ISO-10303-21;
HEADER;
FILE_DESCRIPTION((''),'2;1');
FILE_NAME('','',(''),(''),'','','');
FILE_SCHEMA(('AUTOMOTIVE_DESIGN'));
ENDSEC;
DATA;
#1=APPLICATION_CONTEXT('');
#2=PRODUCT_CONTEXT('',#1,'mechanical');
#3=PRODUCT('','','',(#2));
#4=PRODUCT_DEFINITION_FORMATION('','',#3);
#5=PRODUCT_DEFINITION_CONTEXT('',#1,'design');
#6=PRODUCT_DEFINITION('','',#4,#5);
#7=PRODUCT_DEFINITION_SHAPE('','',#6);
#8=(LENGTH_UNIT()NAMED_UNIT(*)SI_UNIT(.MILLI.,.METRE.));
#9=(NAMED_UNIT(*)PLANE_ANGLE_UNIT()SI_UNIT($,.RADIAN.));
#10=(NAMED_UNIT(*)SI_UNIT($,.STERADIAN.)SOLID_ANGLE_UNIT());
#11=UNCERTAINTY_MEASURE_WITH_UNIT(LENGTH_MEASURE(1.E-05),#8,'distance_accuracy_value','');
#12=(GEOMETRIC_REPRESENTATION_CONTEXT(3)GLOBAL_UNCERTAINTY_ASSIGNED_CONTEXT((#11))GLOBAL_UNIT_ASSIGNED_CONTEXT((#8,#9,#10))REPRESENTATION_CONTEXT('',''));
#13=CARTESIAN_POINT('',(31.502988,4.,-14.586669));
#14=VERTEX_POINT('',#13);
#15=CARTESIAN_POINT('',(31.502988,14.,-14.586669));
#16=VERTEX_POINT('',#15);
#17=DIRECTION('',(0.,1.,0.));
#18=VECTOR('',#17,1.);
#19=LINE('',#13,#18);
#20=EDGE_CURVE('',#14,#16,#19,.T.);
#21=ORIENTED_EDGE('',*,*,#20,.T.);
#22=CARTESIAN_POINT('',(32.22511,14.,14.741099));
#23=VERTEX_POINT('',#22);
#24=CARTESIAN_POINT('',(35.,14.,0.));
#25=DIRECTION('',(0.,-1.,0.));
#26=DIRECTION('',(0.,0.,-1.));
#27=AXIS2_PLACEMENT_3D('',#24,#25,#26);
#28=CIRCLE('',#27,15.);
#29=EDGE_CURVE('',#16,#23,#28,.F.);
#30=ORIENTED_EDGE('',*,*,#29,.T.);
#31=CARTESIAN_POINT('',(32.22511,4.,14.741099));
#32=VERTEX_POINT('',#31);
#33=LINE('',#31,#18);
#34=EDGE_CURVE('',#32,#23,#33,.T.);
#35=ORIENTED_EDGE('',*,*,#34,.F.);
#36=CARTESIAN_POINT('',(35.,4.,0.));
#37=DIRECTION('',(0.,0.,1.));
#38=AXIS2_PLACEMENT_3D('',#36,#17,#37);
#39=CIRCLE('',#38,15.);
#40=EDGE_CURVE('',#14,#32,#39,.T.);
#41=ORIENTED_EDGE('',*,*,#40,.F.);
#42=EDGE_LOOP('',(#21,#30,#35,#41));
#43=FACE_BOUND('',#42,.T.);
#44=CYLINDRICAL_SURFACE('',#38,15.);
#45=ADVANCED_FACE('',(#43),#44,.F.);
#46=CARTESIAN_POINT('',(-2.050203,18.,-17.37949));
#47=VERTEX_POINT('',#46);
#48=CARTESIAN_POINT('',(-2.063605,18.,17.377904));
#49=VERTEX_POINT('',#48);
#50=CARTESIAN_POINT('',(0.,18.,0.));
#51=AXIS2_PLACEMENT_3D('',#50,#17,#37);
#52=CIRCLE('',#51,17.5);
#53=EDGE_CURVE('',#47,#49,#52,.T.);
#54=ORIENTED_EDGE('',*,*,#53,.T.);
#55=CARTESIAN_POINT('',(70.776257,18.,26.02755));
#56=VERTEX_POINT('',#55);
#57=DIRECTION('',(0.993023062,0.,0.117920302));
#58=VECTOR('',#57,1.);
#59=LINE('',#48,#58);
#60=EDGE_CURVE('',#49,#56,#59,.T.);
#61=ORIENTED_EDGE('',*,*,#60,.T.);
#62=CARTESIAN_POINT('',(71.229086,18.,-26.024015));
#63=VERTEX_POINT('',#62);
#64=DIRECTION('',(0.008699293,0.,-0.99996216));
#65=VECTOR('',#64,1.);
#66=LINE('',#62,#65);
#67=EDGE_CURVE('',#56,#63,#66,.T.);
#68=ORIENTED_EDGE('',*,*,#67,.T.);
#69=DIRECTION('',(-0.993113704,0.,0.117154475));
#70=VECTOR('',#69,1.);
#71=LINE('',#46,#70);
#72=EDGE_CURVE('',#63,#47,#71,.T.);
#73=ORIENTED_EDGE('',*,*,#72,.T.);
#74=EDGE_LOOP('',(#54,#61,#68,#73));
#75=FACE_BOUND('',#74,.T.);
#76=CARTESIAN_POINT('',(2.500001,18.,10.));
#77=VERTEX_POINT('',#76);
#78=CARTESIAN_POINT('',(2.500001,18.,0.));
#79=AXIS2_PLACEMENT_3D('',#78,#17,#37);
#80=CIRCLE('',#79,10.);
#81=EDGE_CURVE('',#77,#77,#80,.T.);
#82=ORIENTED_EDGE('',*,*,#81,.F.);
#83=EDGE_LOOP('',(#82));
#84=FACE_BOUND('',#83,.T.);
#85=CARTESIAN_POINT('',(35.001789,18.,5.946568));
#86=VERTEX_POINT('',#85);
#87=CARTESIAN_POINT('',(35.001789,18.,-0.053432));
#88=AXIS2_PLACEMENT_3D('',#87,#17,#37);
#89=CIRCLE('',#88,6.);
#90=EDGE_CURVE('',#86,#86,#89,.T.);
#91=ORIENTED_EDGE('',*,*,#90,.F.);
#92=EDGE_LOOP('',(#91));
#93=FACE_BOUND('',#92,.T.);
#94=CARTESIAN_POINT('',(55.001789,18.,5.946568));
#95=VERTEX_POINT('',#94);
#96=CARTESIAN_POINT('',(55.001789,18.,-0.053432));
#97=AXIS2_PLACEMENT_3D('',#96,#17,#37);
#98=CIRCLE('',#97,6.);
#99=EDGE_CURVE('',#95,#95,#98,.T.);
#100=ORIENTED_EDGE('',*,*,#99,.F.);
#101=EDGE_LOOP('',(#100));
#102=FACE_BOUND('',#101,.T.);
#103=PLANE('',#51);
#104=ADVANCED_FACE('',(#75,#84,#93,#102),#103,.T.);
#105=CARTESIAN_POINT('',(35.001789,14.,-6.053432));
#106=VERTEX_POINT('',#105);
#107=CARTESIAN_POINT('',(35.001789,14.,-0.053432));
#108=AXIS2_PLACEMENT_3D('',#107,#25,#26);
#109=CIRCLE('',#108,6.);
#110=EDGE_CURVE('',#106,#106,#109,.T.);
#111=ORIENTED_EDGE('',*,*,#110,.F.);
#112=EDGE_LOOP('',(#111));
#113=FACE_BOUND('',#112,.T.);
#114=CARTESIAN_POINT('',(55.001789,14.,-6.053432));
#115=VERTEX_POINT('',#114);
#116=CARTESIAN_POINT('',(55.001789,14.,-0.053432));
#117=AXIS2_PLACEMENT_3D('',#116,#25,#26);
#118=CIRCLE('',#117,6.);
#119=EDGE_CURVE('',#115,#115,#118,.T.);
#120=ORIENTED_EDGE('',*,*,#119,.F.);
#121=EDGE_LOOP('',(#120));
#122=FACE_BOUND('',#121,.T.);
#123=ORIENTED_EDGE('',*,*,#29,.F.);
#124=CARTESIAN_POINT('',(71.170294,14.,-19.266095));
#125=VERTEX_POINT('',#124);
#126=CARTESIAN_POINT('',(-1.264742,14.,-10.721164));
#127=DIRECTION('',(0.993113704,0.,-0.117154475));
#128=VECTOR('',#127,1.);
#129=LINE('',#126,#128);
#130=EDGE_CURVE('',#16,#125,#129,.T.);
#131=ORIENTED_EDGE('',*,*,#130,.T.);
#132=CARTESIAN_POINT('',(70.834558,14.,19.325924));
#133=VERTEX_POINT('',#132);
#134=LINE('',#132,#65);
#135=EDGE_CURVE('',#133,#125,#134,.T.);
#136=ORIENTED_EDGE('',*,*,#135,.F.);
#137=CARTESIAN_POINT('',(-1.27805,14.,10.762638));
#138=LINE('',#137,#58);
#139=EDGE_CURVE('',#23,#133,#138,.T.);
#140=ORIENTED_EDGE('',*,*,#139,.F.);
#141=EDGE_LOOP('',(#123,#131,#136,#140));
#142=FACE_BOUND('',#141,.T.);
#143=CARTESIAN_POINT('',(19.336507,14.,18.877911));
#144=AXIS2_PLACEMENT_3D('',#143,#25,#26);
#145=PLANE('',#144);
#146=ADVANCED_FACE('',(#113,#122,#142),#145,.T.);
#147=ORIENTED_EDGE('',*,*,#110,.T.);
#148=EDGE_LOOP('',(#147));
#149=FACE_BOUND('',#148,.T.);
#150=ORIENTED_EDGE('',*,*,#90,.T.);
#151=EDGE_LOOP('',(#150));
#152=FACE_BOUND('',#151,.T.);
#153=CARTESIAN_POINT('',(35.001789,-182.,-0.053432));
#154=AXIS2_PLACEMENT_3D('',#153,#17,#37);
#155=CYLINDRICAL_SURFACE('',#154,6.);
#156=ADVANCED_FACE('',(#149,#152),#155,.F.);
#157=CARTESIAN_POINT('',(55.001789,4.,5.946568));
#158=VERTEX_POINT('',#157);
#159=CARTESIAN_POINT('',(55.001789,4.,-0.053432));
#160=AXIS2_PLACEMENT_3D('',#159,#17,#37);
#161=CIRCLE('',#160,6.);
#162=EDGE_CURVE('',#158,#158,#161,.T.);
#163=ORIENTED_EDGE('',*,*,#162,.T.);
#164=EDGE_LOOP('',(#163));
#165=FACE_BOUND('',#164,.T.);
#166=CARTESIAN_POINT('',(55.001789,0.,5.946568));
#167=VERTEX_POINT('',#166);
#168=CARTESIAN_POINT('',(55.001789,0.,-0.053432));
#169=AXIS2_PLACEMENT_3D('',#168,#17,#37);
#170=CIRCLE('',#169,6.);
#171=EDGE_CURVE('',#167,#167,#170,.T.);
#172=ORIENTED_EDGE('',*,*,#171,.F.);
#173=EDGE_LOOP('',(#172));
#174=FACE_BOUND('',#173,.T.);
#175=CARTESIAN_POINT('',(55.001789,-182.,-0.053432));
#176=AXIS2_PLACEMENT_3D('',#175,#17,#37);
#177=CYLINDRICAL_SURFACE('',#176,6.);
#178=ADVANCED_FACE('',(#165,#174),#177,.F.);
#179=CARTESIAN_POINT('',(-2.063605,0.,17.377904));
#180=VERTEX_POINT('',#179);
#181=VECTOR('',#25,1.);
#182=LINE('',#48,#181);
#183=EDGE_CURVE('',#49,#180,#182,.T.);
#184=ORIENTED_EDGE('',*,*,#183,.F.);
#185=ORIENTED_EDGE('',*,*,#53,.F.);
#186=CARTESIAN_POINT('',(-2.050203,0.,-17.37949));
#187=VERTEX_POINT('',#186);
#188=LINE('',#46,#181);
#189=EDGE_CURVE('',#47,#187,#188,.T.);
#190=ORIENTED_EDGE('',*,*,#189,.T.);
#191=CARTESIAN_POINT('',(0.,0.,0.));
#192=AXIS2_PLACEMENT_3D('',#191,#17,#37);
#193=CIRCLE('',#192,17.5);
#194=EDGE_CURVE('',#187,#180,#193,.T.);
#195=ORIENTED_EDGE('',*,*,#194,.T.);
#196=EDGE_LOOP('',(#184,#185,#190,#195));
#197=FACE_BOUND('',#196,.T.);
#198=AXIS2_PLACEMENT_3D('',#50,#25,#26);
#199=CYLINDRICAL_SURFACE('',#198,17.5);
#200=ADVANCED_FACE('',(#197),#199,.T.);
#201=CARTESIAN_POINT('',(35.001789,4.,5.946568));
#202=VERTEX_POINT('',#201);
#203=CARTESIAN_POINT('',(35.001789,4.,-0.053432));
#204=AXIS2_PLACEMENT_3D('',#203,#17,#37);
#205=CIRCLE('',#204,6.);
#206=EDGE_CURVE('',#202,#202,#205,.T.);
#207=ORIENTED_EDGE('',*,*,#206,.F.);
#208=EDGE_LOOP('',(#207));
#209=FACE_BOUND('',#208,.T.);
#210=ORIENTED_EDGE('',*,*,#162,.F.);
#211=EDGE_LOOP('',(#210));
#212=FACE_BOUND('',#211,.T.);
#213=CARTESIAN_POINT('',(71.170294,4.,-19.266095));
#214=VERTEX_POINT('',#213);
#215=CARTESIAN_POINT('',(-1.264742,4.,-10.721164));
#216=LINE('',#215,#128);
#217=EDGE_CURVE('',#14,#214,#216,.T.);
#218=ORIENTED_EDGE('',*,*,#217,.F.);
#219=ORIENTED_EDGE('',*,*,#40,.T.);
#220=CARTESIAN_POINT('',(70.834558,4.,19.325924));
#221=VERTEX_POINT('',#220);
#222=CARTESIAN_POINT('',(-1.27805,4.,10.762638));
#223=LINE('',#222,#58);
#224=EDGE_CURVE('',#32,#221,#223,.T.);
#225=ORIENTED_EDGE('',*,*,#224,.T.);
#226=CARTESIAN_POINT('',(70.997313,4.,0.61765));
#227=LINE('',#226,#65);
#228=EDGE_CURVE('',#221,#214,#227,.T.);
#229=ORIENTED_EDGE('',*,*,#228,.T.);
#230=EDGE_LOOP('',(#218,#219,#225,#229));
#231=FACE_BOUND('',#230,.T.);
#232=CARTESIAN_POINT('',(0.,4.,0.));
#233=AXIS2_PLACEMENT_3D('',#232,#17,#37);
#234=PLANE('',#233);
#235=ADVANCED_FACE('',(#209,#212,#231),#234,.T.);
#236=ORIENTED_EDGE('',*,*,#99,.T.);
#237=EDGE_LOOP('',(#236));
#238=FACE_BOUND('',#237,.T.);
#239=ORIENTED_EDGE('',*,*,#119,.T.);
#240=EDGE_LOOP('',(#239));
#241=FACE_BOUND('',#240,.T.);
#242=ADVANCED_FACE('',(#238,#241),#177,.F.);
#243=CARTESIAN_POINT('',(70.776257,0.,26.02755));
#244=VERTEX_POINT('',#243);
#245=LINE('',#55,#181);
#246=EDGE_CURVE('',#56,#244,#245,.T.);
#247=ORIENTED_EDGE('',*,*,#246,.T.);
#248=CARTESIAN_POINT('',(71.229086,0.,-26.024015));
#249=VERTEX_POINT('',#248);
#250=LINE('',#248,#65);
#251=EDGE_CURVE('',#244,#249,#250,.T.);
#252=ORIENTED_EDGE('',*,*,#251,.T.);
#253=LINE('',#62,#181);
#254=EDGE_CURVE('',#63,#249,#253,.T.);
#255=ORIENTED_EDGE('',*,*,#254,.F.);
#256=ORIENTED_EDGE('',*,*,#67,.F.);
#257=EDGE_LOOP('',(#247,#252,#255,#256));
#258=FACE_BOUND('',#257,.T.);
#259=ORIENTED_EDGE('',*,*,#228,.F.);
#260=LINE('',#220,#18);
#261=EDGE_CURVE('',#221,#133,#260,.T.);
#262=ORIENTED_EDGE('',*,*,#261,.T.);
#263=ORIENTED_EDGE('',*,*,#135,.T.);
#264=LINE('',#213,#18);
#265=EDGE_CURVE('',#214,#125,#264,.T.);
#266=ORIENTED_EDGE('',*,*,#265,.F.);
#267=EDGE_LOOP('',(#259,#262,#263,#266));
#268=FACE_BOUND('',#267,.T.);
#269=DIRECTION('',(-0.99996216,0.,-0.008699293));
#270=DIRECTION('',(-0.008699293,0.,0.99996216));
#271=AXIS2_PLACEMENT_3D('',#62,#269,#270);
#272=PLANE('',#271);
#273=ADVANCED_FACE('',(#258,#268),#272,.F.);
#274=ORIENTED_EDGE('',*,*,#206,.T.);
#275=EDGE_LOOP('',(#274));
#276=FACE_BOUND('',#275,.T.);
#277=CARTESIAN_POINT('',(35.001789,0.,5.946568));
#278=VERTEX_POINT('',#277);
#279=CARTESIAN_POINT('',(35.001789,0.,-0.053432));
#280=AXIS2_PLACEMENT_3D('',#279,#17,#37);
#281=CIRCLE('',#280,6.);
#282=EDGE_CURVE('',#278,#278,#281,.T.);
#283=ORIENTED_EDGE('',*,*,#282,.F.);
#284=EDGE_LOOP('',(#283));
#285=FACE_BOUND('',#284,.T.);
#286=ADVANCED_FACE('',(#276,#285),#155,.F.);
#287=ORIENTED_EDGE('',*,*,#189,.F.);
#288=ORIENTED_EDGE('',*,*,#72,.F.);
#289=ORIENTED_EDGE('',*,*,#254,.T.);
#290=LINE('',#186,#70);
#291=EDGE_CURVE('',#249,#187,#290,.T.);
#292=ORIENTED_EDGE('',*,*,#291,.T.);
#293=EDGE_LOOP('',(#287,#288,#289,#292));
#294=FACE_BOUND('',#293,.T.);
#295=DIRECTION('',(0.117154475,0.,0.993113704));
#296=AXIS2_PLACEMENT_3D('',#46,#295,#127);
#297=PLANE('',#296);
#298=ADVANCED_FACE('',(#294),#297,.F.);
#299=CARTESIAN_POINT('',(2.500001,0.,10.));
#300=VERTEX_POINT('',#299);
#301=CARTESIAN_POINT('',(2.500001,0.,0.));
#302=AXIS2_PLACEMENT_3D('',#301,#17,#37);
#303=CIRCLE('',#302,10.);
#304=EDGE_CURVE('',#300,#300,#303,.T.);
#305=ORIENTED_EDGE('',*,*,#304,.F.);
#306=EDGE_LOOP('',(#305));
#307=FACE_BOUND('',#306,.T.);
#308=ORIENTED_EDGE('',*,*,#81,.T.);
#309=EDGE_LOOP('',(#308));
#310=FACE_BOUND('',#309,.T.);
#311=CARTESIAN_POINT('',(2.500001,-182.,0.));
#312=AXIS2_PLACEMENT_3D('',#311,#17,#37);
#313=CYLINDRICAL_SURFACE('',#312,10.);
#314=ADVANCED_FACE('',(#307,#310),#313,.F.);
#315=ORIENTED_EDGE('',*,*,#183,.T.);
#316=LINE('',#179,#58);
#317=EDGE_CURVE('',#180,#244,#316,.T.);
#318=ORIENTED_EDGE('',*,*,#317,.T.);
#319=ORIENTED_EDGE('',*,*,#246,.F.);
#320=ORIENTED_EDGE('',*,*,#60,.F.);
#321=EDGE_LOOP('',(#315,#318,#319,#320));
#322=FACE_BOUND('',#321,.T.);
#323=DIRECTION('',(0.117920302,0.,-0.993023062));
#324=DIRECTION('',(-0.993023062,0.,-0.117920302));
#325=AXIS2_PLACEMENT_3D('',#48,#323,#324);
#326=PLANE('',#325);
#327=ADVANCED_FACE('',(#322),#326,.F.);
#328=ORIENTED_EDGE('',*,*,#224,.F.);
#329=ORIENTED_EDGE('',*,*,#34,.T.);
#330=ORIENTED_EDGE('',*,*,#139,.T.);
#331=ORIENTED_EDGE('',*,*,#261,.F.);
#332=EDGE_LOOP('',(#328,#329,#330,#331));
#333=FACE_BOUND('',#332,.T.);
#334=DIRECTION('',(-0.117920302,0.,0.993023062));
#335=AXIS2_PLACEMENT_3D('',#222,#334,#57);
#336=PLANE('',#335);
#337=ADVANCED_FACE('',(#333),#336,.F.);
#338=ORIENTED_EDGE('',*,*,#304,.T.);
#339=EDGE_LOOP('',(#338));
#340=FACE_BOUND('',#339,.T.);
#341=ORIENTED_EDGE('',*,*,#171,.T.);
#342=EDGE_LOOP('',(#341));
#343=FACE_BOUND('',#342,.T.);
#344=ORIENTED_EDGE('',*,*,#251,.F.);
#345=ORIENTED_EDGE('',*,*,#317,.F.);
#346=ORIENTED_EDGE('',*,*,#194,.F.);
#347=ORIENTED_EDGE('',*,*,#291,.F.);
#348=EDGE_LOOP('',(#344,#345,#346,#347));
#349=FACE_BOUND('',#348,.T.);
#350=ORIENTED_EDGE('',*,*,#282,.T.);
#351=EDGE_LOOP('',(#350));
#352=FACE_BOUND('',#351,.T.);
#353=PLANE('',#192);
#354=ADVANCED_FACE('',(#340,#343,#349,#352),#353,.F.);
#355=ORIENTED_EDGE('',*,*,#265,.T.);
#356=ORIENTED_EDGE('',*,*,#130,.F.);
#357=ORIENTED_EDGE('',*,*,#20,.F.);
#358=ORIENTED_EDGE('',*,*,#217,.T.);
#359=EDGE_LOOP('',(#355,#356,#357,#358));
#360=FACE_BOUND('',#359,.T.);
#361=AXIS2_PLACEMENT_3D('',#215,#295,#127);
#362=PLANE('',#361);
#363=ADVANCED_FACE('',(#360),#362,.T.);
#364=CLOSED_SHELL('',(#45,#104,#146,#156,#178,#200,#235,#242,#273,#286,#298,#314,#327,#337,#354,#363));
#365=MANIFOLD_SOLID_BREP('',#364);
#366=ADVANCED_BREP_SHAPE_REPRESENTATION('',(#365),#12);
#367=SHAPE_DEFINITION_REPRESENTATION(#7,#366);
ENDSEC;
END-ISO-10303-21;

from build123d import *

# Parameters (mm, degrees)
BOSS_EXTRUDE1_DEPTH = 18
CUT_EXTRUDE1_DEPTH  = 14
SKETCH5_W           = 38.6
SKETCH5_H           = 4
BOSS_EXTRUDE2_DEPTH = 51.5
SKETCH6_R           = 10
CUT_EXTRUDE2_DEPTH  = 200
SKETCH7_R           = 6
CUT_EXTRUDE3_DEPTH  = 200


with BuildPart() as part:
    # Sketch2 → Boss-Extrude1 (new body)
    with BuildSketch(Plane(origin=(0, 0, 0), x_dir=(1, 0, 0), z_dir=(0, 1, 0))):
        with BuildLine():
            Line((-2.050203312, 17.379489819), (71.229085812, 26.024015225))
            Line((71.229085812, 26.024015225), (70.776256856, -26.027550211))
            Line((70.776256856, -26.027550211), (-2.063605293, -17.37790359))
            ThreePointArc((-2.063605293, -17.37790359), (-17.499998699, 0.006747763), (-2.050203312, 17.379489819))
        make_face()
    extrude(amount=BOSS_EXTRUDE1_DEPTH)

    # Sketch4 → Cut-Extrude1 (cut)
    with BuildSketch(Plane(origin=(0, 18, 0), x_dir=(1, 0, 0), z_dir=(0, 1, 0))):
        with BuildLine():
            Line((35.006766585, 14.999998474), (31.502988077, 14.586668832))
            ThreePointArc((31.502988077, 14.586668832), (20.004544926, -0.369225031), (32.22510993, -14.741098504))
            Line((32.22510993, -14.741098504), (34.245425362, -14.981008548))
            Line((34.245425362, -14.981008548), (70.834558469, -19.325924398))
            Line((70.834558469, -19.325924398), (71.170294461, 19.266095201))
            Line((71.170294461, 19.266095201), (35.006766585, 14.999998474))
        make_face()
    extrude(amount=-CUT_EXTRUDE1_DEPTH, mode=Mode.SUBTRACT)

    # Sketch5 → Boss-Extrude2 (add)
    with BuildSketch(Plane(origin=(70.997313391, 0, 0.617649806), x_dir=(0.008699293, 0, -0.99996216), z_dir=(0.99996216, 0, 0.008699293))):
        with Locations((0.591017469, 16)):
            Rectangle(SKETCH5_W, SKETCH5_H)
    extrude(amount=-BOSS_EXTRUDE2_DEPTH)

    # Sketch6 → Cut-Extrude2 (cut)
    with BuildSketch(Plane(origin=(0, 18, 0), x_dir=(1, 0, 0), z_dir=(0, 1, 0))):
        with Locations((2.500001301, 0)):
            Circle(SKETCH6_R)
    extrude(amount=-CUT_EXTRUDE2_DEPTH, mode=Mode.SUBTRACT)

    # Sketch7 → Cut-Extrude3 (cut)
    with BuildSketch(Plane(origin=(0, 18, 0), x_dir=(1, 0, 0), z_dir=(0, 1, 0))):
        with Locations((35.001789275, 0.053432271)):
            Circle(SKETCH7_R)
        with Locations((55.001789275, 0.053432271)):
            Circle(SKETCH7_R)
    extrude(amount=-CUT_EXTRUDE3_DEPTH, mode=Mode.SUBTRACT)


solid = part.part
